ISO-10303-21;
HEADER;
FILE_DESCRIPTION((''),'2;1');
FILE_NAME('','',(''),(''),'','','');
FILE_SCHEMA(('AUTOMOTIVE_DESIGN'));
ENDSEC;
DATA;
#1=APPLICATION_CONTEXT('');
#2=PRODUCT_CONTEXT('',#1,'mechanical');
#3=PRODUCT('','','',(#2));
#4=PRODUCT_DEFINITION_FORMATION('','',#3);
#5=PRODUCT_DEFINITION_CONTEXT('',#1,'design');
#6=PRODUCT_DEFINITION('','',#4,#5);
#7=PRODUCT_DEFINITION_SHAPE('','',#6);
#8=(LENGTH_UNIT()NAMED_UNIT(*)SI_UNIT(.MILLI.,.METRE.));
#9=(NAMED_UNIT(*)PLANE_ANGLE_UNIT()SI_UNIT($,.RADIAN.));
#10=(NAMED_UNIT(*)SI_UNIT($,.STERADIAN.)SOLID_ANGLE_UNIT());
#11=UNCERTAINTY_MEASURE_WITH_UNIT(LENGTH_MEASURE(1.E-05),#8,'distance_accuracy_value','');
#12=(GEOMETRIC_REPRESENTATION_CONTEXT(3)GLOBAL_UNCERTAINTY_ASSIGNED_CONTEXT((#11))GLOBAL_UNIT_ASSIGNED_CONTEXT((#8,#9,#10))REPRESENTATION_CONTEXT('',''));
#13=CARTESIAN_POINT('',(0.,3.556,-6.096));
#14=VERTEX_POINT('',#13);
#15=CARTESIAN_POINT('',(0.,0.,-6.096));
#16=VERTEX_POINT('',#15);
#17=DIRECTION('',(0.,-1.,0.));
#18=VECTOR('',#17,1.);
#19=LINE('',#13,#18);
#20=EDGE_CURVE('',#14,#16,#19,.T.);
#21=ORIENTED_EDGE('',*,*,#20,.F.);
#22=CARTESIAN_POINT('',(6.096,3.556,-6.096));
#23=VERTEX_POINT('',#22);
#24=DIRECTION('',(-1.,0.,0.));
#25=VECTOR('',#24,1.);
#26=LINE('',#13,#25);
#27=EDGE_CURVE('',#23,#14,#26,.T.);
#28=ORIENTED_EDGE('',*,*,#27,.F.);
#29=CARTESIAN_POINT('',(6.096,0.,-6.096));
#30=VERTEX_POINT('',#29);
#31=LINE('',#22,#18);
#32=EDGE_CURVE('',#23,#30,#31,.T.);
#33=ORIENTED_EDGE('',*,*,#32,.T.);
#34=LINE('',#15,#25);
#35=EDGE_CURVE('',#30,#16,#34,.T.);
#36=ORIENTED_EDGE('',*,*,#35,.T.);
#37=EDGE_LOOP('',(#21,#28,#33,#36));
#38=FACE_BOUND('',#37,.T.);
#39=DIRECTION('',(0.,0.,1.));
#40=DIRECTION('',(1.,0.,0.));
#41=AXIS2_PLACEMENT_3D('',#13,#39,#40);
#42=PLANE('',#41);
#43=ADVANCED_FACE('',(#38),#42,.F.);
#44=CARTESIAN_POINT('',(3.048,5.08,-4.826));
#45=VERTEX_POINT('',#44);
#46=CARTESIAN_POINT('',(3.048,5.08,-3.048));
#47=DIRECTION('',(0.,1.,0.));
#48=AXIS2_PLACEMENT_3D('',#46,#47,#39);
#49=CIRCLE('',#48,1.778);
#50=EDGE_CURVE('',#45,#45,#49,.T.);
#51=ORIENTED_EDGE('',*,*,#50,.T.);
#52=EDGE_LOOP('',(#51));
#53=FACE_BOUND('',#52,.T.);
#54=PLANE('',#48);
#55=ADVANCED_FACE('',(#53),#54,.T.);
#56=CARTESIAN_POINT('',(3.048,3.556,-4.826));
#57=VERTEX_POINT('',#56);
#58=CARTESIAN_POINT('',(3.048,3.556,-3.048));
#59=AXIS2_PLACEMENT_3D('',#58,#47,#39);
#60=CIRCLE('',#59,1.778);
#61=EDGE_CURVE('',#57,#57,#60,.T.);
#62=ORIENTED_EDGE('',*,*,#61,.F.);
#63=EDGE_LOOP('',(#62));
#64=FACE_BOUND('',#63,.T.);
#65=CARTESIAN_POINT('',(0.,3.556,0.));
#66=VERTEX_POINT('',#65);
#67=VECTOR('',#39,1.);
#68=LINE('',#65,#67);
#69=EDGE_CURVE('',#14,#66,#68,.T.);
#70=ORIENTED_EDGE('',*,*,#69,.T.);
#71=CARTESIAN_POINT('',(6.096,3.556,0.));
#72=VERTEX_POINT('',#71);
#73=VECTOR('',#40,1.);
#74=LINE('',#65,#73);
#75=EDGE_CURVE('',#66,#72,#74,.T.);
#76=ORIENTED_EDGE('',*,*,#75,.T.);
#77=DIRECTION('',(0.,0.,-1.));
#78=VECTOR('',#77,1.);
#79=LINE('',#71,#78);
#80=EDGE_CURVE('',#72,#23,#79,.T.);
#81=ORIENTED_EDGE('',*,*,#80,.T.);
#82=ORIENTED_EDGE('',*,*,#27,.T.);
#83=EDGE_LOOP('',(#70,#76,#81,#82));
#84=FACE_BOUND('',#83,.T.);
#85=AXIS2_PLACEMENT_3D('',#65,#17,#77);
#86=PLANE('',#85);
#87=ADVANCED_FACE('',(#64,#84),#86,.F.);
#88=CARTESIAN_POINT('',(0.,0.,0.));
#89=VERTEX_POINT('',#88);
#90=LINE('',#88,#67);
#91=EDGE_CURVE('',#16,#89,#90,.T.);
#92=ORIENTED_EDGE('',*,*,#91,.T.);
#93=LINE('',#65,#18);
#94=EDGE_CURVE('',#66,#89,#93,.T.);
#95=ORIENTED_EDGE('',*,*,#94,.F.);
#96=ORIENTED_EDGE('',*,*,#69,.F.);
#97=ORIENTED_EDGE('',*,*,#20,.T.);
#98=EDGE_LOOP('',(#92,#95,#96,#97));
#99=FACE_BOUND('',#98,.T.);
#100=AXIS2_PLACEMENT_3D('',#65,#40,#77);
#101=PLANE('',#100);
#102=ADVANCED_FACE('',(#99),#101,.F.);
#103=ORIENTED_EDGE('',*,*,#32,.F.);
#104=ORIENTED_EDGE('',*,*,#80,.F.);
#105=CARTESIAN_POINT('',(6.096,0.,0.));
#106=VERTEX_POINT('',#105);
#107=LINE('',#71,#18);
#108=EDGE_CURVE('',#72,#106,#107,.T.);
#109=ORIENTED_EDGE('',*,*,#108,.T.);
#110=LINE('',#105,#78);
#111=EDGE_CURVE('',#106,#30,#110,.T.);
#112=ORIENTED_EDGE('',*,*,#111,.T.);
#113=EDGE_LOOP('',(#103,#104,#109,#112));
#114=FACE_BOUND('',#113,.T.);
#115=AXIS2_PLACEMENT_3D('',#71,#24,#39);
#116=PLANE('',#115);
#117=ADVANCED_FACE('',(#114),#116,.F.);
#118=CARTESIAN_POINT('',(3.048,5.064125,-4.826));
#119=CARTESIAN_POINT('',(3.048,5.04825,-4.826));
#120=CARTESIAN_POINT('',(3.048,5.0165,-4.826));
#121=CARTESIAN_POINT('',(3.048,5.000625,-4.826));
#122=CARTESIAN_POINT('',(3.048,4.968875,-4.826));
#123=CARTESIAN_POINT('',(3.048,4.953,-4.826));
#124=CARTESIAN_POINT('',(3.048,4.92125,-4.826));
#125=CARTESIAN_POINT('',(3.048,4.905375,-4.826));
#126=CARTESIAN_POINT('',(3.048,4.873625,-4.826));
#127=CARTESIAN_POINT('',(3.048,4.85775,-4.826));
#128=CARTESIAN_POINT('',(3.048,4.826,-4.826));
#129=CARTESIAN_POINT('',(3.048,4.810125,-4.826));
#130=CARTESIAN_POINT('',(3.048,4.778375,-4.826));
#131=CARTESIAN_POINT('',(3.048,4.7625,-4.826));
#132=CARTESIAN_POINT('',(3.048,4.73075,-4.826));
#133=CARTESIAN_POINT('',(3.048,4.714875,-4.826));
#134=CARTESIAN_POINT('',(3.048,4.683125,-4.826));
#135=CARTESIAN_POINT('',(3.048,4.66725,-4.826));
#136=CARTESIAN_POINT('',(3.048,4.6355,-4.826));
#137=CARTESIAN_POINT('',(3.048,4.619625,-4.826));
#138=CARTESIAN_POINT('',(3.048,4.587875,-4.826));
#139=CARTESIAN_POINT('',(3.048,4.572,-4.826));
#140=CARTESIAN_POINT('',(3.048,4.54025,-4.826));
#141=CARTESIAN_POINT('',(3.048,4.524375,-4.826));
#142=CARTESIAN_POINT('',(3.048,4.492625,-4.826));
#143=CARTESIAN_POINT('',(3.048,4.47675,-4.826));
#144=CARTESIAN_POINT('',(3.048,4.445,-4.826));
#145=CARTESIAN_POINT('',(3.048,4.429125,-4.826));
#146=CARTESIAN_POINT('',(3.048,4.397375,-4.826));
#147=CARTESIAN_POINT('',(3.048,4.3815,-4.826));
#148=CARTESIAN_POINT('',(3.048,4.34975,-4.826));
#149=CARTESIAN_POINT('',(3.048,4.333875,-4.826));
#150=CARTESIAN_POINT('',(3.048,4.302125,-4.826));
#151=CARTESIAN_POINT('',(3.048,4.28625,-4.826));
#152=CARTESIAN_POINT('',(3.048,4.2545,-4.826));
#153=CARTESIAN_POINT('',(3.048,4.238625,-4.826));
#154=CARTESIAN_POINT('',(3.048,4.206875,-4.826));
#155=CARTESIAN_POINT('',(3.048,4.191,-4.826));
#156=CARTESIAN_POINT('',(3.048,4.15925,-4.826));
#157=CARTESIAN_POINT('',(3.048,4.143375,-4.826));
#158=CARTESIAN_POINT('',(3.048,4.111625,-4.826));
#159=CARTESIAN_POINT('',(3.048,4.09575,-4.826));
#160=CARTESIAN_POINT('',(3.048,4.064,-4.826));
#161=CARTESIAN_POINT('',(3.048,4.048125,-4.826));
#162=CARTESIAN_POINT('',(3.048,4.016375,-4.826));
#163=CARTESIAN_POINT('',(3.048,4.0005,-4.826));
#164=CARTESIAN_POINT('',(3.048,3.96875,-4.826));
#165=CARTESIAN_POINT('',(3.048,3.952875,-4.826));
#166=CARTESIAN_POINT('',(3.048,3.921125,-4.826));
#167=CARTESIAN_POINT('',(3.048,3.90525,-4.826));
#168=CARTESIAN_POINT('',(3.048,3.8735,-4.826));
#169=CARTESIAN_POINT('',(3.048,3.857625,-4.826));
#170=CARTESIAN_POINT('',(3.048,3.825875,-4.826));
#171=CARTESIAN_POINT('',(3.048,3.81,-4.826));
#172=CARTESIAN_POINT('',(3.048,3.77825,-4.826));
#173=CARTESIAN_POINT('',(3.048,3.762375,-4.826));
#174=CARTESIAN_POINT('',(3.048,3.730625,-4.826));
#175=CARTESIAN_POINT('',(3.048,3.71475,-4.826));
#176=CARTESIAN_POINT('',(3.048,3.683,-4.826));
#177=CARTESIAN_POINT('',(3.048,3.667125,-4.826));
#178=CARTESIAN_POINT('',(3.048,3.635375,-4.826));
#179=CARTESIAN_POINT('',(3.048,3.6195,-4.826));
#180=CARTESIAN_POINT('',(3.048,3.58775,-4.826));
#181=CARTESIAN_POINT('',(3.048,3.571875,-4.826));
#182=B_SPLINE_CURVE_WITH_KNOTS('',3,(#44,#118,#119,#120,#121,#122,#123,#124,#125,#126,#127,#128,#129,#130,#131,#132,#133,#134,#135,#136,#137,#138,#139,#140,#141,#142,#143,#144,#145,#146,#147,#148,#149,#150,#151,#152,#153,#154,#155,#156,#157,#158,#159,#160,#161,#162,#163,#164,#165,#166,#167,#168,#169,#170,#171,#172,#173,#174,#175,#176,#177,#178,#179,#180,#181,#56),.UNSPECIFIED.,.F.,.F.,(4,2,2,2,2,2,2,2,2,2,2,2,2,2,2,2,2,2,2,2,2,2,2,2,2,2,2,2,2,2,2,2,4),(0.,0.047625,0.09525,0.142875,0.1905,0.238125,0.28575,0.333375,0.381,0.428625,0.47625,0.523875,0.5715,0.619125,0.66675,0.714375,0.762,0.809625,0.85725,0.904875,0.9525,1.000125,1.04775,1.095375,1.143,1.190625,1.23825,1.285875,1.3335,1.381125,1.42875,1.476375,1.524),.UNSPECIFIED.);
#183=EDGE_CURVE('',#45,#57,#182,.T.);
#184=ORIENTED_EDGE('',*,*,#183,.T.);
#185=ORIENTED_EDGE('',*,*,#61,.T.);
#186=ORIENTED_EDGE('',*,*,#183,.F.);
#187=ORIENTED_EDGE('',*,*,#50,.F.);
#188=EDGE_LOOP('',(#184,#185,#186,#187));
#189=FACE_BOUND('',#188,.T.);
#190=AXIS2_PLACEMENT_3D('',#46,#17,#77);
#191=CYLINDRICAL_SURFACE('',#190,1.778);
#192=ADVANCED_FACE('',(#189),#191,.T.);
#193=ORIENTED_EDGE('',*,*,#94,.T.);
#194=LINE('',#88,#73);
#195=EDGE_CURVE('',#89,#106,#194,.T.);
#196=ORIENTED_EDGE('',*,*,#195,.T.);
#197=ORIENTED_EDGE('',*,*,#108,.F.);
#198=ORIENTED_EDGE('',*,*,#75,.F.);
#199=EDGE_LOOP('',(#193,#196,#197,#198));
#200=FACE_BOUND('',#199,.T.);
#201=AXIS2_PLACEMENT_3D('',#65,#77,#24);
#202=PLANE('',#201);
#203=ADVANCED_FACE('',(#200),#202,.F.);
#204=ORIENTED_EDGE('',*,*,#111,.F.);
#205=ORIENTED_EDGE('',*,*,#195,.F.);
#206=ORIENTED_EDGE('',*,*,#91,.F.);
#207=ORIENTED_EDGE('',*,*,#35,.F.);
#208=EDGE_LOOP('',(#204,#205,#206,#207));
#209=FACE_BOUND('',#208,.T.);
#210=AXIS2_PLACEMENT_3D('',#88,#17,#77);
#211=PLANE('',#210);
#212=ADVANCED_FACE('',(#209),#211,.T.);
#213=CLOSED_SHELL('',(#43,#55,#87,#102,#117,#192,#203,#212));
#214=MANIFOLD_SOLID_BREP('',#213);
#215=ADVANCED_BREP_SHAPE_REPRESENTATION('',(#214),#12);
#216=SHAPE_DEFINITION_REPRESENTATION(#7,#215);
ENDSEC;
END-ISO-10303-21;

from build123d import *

# Parameters (mm, degrees)
SKETCH1_W           = 6.096
SKETCH1_H           = 6.096
BOSS_EXTRUDE1_DEPTH = 3.556
SKETCH2_R           = 1.778
BOSS_EXTRUDE2_DEPTH = 1.524


with BuildPart() as part:
    # Sketch1 → Boss-Extrude1 (new body)
    with BuildSketch(Plane(origin=(0, 0, 0), x_dir=(1, 0, 0), z_dir=(0, 1, 0))):
        with Locations((3.048, 3.048)):
            Rectangle(SKETCH1_W, SKETCH1_H)
    extrude(amount=BOSS_EXTRUDE1_DEPTH)

    # Sketch2 → Boss-Extrude2 (add)
    with BuildSketch(Plane(origin=(0, 3.556, 0), x_dir=(1, 0, 0), z_dir=(0, 1, 0))):
        with Locations(Location((3.048, 3.048, 0), (0, 0, 90))):
            Circle(SKETCH2_R)
    extrude(amount=BOSS_EXTRUDE2_DEPTH)


solid = part.part
